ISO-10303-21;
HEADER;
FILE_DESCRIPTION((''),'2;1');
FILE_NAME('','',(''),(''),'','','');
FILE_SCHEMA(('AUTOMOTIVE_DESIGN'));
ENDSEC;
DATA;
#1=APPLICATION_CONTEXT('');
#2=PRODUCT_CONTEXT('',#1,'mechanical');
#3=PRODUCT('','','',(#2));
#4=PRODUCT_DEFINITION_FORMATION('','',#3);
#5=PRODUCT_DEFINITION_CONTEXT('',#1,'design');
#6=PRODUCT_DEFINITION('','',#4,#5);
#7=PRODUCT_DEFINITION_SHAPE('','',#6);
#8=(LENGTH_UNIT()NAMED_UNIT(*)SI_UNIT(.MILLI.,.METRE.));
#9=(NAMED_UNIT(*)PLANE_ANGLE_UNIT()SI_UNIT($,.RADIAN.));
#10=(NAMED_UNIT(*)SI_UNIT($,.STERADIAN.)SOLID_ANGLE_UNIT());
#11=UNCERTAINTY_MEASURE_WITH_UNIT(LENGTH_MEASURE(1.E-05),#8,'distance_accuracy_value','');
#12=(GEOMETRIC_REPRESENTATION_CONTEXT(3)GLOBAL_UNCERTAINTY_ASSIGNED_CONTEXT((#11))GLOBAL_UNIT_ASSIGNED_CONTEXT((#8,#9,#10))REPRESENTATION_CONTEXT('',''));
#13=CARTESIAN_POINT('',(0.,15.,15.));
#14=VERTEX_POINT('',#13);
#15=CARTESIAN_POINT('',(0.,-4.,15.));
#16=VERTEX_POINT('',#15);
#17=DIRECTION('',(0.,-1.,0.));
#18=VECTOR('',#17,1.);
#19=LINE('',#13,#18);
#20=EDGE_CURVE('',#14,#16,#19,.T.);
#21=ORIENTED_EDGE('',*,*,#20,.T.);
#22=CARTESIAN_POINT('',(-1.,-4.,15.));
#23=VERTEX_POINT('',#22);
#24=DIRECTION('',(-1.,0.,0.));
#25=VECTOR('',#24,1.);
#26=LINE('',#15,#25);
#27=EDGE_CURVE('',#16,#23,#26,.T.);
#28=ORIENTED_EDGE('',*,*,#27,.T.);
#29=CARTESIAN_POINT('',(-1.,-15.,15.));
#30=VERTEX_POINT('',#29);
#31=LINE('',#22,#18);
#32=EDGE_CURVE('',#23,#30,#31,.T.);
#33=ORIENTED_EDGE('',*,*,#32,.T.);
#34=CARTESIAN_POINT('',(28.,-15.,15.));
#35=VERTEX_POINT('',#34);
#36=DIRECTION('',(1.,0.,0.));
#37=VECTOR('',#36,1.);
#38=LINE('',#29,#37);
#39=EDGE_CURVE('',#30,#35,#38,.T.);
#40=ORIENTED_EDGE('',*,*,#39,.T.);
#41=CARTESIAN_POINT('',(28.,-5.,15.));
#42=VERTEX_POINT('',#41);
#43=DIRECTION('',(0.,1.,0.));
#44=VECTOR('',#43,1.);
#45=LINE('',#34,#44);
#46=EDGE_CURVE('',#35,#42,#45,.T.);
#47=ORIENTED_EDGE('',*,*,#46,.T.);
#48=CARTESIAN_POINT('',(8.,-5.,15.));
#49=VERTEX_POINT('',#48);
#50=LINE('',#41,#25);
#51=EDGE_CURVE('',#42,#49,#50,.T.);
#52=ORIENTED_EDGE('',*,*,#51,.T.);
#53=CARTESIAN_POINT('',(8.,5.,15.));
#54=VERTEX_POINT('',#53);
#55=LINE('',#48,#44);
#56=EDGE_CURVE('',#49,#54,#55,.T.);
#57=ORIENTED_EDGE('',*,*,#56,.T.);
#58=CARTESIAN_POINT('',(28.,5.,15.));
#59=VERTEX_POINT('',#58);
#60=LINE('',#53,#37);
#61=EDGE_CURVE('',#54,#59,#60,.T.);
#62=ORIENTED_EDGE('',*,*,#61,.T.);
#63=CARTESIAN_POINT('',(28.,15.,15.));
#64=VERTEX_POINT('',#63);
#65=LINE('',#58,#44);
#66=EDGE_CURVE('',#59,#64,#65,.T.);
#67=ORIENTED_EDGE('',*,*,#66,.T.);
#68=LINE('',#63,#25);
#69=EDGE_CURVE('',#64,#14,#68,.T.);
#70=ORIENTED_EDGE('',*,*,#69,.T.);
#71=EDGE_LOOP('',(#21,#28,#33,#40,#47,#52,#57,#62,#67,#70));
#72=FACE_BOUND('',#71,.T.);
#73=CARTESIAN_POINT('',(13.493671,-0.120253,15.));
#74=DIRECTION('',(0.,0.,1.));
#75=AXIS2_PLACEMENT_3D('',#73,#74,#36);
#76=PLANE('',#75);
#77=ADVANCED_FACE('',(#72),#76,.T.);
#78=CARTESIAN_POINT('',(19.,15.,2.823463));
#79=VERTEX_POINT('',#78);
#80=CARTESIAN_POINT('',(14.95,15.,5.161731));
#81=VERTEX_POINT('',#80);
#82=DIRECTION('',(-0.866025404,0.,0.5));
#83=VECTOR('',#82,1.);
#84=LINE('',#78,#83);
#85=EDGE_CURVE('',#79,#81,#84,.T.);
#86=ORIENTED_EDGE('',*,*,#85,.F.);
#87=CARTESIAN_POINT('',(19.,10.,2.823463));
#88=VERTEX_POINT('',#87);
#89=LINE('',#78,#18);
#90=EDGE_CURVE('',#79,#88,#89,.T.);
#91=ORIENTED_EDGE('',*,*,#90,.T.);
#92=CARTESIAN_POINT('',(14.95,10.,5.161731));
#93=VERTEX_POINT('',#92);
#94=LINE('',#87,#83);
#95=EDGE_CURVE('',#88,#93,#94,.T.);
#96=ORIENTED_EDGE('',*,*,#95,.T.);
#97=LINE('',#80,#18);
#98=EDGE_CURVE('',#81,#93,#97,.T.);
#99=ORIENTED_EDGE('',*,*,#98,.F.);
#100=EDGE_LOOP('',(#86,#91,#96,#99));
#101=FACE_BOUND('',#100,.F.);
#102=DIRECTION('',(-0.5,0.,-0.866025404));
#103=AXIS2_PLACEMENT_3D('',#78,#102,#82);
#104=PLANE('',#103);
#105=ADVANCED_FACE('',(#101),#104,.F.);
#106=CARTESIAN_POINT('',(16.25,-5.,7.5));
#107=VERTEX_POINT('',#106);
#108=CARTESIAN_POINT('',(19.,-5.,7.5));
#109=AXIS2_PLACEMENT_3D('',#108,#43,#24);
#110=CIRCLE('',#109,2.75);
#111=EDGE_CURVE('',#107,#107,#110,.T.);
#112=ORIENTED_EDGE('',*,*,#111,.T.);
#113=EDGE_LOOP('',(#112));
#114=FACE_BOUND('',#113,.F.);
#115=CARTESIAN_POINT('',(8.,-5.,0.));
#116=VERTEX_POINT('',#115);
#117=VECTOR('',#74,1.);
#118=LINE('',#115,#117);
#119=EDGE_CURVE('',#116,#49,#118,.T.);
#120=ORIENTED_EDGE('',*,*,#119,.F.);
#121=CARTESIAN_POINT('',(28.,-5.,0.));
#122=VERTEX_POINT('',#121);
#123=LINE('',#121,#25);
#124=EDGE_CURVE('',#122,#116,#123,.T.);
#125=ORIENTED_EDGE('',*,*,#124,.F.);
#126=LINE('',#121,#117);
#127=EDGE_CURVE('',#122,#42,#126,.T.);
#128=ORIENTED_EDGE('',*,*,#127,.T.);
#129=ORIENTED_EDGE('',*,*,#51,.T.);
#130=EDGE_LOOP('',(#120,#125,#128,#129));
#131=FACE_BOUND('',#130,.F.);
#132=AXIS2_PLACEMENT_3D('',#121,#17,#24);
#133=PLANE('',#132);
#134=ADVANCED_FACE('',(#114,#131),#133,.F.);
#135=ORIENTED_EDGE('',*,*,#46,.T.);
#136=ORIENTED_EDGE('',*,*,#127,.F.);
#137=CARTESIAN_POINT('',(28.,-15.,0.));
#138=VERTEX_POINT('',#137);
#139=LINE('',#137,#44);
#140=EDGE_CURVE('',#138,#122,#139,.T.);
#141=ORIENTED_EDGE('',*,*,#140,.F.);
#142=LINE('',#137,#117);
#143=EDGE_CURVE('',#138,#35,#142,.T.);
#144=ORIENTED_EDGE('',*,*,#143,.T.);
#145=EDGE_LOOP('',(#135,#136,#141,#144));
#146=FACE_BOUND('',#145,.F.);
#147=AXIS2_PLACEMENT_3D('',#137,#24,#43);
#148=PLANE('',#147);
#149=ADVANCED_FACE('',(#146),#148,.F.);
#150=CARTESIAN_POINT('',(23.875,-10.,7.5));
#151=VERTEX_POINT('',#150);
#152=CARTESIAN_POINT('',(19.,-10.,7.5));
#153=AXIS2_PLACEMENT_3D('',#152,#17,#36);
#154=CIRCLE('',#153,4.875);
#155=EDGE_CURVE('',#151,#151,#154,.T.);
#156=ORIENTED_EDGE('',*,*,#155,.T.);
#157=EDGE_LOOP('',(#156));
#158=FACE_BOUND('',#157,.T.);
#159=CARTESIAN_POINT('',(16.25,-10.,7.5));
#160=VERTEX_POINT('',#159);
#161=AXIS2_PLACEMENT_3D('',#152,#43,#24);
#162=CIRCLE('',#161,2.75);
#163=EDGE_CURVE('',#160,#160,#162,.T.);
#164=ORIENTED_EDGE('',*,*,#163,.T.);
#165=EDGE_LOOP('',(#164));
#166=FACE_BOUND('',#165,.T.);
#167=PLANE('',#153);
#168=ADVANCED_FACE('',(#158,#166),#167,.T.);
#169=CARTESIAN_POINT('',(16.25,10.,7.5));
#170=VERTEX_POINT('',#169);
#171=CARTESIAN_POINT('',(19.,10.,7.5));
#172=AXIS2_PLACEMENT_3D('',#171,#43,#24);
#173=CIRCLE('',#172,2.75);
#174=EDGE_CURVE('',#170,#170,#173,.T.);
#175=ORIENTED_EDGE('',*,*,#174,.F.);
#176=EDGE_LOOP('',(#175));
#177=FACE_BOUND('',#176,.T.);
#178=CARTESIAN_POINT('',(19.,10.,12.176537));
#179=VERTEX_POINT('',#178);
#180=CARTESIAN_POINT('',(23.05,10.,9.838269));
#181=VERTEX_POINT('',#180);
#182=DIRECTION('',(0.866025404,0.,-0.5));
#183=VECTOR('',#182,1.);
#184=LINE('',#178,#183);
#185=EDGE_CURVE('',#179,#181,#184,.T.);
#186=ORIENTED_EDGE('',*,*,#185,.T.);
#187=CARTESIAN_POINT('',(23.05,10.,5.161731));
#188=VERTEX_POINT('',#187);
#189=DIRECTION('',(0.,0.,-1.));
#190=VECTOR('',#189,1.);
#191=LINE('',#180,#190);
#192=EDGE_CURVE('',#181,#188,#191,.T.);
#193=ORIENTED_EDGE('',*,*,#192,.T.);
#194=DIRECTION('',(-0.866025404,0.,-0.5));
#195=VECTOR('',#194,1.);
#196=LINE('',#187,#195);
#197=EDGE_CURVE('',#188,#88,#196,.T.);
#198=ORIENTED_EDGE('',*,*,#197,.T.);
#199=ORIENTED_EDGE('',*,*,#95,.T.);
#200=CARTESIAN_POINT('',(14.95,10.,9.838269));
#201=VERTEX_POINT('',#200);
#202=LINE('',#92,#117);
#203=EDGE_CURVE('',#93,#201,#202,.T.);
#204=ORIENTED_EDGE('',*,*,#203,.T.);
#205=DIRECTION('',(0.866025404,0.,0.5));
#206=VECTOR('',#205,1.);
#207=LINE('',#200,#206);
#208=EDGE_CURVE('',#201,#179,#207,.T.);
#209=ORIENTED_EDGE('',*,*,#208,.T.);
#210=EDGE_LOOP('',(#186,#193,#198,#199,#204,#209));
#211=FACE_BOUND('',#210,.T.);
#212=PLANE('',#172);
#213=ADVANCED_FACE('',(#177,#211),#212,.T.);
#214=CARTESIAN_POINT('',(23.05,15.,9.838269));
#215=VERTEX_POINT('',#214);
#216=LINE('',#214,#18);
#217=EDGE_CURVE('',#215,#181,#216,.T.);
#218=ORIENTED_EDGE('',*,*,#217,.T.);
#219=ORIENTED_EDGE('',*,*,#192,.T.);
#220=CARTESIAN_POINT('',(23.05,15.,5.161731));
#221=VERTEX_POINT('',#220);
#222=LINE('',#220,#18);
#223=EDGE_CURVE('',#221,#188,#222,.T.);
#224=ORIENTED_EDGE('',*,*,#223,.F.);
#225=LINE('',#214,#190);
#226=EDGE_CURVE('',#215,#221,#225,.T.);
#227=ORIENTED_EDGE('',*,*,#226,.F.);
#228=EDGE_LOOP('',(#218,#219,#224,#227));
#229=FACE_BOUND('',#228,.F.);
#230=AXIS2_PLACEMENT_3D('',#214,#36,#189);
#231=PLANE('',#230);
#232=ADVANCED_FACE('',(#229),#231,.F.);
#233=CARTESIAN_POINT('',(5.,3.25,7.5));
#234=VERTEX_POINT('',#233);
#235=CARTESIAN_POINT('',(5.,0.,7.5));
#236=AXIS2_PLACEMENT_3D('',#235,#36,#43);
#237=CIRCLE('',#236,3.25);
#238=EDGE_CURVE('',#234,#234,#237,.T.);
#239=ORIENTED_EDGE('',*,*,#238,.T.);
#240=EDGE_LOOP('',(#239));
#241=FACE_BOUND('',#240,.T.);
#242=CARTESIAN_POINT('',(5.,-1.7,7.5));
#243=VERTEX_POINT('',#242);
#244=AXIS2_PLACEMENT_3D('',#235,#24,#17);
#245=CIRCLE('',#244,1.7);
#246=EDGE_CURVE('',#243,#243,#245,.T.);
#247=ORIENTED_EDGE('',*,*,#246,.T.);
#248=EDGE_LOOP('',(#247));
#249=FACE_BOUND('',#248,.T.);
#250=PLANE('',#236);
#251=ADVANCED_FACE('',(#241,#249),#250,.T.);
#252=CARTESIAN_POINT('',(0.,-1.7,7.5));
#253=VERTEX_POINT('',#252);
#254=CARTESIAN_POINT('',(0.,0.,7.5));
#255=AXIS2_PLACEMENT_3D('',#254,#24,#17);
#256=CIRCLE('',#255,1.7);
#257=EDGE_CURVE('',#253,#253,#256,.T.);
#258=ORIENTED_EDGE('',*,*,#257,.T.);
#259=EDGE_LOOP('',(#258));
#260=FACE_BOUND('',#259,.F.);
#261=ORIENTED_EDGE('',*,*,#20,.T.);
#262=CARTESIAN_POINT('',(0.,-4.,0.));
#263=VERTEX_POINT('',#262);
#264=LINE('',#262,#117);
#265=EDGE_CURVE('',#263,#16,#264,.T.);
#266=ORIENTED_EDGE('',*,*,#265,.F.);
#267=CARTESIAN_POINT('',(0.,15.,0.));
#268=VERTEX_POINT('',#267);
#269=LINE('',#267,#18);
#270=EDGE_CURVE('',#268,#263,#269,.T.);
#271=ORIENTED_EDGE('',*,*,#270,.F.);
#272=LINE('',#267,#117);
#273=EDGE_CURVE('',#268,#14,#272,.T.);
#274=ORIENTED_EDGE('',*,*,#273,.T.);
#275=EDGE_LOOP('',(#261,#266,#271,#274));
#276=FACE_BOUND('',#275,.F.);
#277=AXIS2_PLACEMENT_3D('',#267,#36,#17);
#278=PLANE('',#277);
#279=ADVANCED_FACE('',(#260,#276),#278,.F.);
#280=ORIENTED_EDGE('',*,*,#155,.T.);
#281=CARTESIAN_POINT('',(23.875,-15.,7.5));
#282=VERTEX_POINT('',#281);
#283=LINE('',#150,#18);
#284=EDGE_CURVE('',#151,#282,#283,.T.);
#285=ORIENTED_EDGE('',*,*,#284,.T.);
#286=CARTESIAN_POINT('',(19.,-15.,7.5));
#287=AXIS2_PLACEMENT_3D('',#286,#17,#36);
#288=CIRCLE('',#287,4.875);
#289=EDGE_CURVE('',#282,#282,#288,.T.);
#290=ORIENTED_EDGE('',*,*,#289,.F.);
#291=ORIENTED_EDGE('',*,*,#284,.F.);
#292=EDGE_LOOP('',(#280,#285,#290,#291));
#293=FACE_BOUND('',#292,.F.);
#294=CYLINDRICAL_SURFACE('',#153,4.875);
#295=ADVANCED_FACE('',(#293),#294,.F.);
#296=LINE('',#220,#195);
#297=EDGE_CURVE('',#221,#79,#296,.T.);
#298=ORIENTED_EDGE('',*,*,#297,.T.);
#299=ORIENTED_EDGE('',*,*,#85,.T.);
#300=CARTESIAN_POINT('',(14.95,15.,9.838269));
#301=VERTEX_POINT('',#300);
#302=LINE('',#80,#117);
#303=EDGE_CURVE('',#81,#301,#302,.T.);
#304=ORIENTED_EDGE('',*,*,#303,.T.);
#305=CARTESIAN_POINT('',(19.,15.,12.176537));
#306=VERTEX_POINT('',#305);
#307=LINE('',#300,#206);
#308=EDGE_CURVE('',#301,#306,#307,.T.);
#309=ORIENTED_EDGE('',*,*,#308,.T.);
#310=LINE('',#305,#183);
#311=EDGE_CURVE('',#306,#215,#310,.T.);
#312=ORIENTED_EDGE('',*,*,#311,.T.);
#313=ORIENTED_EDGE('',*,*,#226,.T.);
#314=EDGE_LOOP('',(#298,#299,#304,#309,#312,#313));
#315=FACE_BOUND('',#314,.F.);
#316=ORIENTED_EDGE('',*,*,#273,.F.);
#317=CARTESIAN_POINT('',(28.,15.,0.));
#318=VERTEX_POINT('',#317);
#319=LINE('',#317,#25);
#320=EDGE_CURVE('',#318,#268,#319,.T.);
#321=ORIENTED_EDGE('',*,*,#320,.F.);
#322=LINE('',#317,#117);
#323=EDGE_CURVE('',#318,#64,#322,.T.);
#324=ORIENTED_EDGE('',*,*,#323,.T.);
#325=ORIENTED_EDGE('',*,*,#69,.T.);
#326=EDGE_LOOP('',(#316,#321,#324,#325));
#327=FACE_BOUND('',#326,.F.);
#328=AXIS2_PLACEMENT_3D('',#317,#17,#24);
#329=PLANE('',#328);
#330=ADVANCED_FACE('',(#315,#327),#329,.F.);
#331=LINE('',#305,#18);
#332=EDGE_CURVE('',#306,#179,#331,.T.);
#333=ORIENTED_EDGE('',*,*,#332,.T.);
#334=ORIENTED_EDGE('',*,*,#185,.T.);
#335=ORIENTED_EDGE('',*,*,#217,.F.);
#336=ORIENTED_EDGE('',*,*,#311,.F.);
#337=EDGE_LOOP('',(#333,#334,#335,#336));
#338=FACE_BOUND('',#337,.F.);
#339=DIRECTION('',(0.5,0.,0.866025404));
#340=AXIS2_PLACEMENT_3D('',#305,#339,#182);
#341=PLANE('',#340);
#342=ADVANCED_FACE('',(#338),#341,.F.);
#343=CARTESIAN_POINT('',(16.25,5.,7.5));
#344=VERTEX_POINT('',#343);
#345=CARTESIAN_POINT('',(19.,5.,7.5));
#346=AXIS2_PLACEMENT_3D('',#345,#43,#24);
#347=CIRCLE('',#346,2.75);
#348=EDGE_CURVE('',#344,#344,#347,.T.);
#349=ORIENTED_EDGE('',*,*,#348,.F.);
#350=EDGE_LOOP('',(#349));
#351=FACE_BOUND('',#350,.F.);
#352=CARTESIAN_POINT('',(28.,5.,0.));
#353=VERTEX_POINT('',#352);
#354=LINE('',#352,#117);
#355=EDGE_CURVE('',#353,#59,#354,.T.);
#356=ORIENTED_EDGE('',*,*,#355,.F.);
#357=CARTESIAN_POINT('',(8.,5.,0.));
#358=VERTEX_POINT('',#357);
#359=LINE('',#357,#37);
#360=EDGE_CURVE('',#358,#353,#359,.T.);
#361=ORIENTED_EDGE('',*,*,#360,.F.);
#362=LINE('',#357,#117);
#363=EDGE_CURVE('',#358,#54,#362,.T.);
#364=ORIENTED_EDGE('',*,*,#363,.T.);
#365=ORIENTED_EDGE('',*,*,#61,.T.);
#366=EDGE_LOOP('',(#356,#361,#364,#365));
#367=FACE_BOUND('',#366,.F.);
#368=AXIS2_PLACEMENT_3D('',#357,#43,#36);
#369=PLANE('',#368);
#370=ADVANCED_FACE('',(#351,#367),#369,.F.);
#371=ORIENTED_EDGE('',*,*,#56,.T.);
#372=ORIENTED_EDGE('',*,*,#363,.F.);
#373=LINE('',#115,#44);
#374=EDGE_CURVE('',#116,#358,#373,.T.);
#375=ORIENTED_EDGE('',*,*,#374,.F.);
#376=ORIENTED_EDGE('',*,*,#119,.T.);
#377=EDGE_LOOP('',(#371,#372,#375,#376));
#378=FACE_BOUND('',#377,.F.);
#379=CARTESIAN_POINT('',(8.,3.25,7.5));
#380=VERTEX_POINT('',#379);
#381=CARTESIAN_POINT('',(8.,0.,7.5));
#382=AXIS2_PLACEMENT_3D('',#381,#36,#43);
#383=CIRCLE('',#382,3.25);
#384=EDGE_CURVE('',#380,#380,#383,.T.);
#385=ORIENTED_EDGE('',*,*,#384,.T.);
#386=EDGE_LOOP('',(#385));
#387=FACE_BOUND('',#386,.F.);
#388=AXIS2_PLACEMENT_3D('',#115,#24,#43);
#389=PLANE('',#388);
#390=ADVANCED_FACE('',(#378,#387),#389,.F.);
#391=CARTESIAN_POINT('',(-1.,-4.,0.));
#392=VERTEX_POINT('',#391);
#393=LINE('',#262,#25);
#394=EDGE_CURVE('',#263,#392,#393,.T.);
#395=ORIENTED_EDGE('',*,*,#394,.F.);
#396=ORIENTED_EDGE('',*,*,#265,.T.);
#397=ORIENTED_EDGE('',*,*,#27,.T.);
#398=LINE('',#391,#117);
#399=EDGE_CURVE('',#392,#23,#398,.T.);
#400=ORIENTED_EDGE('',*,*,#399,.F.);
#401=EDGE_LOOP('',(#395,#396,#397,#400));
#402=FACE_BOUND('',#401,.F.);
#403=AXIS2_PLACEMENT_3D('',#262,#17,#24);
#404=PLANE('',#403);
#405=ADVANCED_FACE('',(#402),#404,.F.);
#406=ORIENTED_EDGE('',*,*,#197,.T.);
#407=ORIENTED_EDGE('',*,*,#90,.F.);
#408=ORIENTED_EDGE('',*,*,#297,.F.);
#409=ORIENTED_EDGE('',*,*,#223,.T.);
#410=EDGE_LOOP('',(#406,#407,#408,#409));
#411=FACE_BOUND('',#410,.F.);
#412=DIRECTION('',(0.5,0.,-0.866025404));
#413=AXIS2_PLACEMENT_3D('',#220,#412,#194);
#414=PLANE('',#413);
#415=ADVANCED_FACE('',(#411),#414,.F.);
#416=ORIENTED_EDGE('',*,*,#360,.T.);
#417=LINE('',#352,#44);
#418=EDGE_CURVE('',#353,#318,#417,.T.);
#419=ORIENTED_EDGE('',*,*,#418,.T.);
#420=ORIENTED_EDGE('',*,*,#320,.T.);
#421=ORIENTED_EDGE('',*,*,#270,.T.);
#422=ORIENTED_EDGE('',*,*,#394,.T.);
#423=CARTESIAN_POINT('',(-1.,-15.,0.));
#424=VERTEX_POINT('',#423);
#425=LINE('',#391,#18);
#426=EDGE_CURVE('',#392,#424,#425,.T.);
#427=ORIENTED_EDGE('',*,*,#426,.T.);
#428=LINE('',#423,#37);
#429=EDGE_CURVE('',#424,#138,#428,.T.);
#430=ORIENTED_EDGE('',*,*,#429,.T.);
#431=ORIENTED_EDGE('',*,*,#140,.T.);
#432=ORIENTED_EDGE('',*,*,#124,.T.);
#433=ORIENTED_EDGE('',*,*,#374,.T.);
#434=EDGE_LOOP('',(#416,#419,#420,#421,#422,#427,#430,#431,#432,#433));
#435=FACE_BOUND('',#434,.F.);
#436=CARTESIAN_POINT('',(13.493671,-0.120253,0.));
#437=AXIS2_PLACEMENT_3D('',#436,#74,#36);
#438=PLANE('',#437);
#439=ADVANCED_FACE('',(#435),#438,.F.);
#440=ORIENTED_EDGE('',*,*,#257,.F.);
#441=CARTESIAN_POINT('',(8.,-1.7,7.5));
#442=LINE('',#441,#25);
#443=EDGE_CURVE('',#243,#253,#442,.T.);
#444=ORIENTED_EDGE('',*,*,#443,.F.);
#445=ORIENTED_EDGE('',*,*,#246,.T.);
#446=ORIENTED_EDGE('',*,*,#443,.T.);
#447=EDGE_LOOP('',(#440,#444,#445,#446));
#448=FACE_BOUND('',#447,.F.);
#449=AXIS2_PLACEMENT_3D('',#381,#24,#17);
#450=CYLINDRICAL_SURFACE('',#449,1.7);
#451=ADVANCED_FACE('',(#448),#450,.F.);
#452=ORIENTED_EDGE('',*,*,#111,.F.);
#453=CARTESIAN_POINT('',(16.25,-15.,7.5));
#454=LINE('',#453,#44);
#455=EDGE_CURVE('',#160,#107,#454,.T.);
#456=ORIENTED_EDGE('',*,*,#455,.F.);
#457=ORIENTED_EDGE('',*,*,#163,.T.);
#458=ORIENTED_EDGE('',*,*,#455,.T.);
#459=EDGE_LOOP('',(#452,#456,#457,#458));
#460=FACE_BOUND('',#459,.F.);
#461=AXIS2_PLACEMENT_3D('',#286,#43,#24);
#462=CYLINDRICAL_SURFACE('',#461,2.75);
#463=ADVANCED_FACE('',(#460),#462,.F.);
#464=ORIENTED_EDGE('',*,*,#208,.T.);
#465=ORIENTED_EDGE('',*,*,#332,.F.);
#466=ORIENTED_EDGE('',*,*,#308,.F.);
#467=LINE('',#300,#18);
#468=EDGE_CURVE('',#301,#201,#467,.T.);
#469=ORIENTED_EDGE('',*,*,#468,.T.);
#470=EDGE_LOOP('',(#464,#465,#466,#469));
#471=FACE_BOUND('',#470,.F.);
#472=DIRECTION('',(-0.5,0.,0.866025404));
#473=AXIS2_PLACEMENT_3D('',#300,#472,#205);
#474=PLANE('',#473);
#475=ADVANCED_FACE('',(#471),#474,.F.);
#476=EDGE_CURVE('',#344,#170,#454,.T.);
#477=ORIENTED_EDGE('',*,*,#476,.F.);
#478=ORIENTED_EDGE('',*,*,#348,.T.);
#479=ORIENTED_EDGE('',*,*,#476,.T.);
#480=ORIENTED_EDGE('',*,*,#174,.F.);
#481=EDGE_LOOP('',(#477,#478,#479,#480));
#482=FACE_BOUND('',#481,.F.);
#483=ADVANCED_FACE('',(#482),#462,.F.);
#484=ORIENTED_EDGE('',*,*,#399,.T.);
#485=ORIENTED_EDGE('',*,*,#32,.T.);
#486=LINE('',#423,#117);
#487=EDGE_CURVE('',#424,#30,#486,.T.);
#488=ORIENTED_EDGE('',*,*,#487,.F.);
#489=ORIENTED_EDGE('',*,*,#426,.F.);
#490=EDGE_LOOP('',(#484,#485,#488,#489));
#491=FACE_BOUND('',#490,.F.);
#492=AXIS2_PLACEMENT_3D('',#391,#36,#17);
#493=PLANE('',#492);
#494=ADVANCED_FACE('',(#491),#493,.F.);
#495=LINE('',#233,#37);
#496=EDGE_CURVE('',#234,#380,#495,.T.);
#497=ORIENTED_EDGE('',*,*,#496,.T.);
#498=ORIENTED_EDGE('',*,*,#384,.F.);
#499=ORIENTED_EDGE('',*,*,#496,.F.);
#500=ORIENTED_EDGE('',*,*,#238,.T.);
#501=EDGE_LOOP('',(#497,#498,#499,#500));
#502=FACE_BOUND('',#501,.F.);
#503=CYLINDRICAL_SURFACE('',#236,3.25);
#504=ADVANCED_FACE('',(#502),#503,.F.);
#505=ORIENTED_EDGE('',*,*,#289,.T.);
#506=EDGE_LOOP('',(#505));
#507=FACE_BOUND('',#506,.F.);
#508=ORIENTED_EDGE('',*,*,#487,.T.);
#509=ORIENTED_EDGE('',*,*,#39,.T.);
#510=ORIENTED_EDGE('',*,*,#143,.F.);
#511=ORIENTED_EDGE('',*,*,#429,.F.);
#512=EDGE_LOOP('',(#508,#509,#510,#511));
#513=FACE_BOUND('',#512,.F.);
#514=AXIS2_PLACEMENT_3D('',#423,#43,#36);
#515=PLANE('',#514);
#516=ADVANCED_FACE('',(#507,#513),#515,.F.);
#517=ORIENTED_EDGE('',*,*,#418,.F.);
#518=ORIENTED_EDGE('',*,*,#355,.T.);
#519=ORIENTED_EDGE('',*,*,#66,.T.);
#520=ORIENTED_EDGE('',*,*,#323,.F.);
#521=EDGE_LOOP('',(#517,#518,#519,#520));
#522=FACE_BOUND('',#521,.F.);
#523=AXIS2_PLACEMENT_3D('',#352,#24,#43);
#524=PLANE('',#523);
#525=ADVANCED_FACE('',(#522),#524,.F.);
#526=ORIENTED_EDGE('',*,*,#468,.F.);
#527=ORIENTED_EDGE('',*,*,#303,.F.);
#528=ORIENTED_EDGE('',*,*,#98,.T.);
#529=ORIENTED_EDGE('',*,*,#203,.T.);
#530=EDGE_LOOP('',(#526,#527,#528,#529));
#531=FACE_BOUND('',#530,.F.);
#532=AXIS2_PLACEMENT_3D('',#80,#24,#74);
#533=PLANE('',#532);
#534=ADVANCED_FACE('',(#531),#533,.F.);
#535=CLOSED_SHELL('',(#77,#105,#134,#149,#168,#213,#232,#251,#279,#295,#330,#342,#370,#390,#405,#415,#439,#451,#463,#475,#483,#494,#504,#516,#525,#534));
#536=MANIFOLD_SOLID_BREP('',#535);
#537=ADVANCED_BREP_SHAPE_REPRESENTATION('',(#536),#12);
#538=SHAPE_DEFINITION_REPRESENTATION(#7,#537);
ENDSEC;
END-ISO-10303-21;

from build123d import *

# Parameters (mm, degrees)
F1_DEPTH       = 15
F3_D           = 5.5
F3_CBORE_D     = 9.75
F3_CBORE_DEPTH = 5
F5_D           = 3.4
F5_CBORE_D     = 6.5
F5_CBORE_DEPTH = 3
F7_DEPTH       = 5


with BuildPart() as f1:
    # F0 (on Top) → F1 (new body)
    with BuildSketch(Plane.XY):
        Polygon((0, 15), (0, 0), (0, -4), (-1, -4), (-1, -15), (28, -15), (28, -5), (8, -5), (8, 0), (8, 5), (28, 5), (28, 15), align=None)
    extrude(amount=F1_DEPTH)

    # F3 (through all)
    with Locations(Plane.XZ.offset(15)):
        with Locations((19, 7.5)):
            CounterBoreHole(F3_D / 2, F3_CBORE_D / 2, F3_CBORE_DEPTH)

    # F5 (through all)
    with Locations(Plane.YZ.offset(8)):
        with Locations((0, 7.5)):
            CounterBoreHole(F5_D / 2, F5_CBORE_D / 2, F5_CBORE_DEPTH)

    # F6 (on face) → F7 (cut)
    with BuildSketch(Plane(origin=(0, 15, 0), x_dir=(-1, 0, 0), z_dir=(0, 1, 0))):
        Polygon((-23.05, 5.1617314098), (-19, 2.8234628196), (-14.95, 5.1617314098), (-14.95, 9.8382685902), (-19, 12.1765371804), (-23.05, 9.8382685902), align=None)
    extrude(amount=-F7_DEPTH, mode=Mode.SUBTRACT)


solid = f1.part
